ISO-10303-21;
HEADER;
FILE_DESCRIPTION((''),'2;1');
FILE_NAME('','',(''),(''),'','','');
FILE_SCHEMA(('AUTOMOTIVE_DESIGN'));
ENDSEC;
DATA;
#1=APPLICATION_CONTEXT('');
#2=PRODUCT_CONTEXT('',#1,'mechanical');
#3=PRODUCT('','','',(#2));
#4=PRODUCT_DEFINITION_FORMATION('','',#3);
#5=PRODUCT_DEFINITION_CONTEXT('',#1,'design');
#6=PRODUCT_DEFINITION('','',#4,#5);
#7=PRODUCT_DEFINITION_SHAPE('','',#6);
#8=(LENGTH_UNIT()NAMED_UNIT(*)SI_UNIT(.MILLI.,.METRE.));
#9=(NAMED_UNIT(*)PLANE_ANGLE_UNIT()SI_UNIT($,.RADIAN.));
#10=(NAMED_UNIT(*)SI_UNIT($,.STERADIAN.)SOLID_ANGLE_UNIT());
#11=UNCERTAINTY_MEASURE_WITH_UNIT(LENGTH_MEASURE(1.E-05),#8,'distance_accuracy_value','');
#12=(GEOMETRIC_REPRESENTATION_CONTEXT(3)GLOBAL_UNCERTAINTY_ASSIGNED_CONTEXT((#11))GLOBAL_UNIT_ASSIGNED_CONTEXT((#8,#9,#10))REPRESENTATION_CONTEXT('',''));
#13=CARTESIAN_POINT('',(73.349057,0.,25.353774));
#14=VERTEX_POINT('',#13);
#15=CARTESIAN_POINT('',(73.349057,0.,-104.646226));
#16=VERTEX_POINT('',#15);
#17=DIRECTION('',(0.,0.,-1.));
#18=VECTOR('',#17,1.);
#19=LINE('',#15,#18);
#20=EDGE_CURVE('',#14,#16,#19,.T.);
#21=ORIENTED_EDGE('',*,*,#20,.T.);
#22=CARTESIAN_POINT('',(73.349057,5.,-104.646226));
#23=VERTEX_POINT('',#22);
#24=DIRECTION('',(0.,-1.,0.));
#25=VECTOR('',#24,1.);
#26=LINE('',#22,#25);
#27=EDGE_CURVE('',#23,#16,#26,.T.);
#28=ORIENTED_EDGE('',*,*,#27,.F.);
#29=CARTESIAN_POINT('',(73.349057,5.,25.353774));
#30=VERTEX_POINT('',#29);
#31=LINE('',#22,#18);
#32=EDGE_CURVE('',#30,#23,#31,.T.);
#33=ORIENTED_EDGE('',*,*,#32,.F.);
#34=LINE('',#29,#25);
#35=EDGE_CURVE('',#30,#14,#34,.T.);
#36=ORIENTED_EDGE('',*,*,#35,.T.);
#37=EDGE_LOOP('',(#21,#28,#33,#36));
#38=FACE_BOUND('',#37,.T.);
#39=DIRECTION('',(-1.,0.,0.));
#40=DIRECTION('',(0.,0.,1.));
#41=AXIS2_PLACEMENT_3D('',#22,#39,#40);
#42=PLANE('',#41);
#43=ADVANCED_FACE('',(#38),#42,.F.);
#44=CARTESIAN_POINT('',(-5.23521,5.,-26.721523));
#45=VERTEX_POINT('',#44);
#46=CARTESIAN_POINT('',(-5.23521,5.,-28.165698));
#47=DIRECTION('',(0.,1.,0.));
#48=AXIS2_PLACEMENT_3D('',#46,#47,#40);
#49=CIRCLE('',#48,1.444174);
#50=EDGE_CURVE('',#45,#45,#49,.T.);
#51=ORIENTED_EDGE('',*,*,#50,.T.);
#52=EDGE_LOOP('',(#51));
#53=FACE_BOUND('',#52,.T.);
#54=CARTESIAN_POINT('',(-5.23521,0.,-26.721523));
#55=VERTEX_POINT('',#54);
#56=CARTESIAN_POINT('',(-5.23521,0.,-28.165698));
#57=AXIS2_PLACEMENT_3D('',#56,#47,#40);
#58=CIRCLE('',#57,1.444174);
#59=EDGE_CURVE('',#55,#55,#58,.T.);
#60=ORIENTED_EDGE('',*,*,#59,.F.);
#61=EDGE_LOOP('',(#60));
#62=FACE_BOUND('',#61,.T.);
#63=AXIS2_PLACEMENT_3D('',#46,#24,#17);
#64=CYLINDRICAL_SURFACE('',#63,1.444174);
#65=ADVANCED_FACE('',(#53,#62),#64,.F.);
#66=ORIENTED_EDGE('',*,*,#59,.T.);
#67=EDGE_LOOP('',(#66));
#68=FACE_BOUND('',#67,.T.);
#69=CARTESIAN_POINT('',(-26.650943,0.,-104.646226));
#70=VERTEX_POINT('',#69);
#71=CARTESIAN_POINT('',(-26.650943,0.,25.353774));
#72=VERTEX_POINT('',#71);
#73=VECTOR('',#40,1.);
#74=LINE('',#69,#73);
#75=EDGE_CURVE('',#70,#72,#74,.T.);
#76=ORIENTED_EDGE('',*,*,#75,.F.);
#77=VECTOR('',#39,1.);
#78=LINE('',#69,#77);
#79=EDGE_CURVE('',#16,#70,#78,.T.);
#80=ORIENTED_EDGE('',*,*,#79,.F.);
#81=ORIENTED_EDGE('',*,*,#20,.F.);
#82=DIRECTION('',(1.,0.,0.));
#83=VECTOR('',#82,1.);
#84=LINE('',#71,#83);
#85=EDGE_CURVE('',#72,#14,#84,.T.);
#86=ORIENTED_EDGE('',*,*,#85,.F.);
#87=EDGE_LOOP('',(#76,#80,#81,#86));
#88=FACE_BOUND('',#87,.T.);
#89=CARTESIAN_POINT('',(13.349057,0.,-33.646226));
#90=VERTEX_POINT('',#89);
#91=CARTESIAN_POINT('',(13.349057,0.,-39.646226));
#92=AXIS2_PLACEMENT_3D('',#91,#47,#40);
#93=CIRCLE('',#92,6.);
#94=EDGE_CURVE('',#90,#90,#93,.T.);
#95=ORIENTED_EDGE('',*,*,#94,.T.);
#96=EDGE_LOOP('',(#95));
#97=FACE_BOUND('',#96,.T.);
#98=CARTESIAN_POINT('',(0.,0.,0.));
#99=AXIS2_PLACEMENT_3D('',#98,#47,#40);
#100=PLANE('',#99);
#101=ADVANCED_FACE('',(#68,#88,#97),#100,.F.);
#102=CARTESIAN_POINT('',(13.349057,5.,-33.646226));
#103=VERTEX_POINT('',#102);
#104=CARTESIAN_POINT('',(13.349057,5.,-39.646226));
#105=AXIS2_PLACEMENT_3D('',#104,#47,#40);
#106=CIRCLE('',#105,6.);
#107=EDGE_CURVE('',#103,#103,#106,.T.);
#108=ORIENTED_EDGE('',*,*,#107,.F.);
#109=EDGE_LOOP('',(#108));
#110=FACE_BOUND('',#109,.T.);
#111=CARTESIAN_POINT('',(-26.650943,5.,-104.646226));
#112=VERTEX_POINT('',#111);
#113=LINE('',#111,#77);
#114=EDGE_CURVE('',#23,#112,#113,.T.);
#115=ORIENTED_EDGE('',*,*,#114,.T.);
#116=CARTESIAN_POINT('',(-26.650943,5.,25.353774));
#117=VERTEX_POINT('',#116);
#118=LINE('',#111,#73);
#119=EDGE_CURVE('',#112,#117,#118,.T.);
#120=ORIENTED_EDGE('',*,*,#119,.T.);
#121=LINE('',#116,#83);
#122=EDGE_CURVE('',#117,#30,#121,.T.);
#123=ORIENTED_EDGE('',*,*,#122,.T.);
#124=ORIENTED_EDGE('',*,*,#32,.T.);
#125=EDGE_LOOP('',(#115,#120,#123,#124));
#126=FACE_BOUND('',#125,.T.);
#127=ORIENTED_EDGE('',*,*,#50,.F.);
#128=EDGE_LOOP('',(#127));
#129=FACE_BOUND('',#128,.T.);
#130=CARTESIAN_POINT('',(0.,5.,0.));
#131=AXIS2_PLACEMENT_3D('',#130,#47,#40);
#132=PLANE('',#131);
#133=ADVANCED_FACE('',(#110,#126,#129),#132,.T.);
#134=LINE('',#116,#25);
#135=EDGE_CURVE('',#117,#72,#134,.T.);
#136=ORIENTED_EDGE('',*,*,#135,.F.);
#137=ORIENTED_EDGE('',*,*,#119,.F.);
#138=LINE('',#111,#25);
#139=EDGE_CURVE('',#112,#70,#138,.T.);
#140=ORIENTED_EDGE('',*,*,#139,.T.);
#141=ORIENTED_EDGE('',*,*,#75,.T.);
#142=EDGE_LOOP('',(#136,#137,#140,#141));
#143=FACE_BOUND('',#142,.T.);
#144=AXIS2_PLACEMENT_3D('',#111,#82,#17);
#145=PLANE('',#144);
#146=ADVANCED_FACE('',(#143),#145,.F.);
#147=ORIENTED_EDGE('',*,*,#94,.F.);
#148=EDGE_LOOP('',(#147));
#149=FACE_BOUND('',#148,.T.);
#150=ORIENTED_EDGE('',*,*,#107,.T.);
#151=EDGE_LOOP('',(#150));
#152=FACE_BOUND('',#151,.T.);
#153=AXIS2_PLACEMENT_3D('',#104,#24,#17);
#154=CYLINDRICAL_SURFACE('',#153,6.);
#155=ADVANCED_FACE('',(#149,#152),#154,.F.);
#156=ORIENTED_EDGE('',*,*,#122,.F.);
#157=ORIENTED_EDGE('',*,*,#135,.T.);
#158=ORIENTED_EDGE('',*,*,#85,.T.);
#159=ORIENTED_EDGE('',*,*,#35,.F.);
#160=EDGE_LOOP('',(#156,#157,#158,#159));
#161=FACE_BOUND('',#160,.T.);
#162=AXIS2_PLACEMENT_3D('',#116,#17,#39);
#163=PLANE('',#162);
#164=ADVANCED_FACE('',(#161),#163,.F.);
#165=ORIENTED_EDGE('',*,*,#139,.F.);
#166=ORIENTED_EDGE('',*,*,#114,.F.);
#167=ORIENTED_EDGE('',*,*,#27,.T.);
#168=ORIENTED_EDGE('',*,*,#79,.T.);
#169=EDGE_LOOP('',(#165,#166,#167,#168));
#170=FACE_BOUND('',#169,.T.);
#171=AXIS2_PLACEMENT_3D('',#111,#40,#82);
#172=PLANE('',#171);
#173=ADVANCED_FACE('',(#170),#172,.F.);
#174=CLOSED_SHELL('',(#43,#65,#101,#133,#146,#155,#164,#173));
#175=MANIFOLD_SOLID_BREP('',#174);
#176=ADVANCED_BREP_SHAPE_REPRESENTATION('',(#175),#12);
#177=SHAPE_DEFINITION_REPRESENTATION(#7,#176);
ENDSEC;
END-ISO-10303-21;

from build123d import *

# Parameters (mm, degrees)
SKETCH1_W           = 100
SKETCH1_H           = 130
SKETCH1_R           = 6
SKETCH1_R_2         = 1.444174109
BOSS_EXTRUDE1_DEPTH = 5


with BuildPart() as part:
    # Sketch1 → Boss-Extrude1 (new body)
    with BuildSketch(Plane(origin=(0, 0, 0), x_dir=(1, 0, 0), z_dir=(0, 1, 0))):
        with Locations((23.349056604, 39.646226415)):
            Rectangle(SKETCH1_W, SKETCH1_H)
        with Locations(Location((13.349056604, 39.646226415, 0), (0, 0, 270))):
            Circle(SKETCH1_R, mode=Mode.SUBTRACT)
        with Locations(Location((-5.23521012, 28.165697553, 0), (0, 0, 270))):
            Circle(SKETCH1_R_2, mode=Mode.SUBTRACT)
    extrude(amount=BOSS_EXTRUDE1_DEPTH)


solid = part.part
